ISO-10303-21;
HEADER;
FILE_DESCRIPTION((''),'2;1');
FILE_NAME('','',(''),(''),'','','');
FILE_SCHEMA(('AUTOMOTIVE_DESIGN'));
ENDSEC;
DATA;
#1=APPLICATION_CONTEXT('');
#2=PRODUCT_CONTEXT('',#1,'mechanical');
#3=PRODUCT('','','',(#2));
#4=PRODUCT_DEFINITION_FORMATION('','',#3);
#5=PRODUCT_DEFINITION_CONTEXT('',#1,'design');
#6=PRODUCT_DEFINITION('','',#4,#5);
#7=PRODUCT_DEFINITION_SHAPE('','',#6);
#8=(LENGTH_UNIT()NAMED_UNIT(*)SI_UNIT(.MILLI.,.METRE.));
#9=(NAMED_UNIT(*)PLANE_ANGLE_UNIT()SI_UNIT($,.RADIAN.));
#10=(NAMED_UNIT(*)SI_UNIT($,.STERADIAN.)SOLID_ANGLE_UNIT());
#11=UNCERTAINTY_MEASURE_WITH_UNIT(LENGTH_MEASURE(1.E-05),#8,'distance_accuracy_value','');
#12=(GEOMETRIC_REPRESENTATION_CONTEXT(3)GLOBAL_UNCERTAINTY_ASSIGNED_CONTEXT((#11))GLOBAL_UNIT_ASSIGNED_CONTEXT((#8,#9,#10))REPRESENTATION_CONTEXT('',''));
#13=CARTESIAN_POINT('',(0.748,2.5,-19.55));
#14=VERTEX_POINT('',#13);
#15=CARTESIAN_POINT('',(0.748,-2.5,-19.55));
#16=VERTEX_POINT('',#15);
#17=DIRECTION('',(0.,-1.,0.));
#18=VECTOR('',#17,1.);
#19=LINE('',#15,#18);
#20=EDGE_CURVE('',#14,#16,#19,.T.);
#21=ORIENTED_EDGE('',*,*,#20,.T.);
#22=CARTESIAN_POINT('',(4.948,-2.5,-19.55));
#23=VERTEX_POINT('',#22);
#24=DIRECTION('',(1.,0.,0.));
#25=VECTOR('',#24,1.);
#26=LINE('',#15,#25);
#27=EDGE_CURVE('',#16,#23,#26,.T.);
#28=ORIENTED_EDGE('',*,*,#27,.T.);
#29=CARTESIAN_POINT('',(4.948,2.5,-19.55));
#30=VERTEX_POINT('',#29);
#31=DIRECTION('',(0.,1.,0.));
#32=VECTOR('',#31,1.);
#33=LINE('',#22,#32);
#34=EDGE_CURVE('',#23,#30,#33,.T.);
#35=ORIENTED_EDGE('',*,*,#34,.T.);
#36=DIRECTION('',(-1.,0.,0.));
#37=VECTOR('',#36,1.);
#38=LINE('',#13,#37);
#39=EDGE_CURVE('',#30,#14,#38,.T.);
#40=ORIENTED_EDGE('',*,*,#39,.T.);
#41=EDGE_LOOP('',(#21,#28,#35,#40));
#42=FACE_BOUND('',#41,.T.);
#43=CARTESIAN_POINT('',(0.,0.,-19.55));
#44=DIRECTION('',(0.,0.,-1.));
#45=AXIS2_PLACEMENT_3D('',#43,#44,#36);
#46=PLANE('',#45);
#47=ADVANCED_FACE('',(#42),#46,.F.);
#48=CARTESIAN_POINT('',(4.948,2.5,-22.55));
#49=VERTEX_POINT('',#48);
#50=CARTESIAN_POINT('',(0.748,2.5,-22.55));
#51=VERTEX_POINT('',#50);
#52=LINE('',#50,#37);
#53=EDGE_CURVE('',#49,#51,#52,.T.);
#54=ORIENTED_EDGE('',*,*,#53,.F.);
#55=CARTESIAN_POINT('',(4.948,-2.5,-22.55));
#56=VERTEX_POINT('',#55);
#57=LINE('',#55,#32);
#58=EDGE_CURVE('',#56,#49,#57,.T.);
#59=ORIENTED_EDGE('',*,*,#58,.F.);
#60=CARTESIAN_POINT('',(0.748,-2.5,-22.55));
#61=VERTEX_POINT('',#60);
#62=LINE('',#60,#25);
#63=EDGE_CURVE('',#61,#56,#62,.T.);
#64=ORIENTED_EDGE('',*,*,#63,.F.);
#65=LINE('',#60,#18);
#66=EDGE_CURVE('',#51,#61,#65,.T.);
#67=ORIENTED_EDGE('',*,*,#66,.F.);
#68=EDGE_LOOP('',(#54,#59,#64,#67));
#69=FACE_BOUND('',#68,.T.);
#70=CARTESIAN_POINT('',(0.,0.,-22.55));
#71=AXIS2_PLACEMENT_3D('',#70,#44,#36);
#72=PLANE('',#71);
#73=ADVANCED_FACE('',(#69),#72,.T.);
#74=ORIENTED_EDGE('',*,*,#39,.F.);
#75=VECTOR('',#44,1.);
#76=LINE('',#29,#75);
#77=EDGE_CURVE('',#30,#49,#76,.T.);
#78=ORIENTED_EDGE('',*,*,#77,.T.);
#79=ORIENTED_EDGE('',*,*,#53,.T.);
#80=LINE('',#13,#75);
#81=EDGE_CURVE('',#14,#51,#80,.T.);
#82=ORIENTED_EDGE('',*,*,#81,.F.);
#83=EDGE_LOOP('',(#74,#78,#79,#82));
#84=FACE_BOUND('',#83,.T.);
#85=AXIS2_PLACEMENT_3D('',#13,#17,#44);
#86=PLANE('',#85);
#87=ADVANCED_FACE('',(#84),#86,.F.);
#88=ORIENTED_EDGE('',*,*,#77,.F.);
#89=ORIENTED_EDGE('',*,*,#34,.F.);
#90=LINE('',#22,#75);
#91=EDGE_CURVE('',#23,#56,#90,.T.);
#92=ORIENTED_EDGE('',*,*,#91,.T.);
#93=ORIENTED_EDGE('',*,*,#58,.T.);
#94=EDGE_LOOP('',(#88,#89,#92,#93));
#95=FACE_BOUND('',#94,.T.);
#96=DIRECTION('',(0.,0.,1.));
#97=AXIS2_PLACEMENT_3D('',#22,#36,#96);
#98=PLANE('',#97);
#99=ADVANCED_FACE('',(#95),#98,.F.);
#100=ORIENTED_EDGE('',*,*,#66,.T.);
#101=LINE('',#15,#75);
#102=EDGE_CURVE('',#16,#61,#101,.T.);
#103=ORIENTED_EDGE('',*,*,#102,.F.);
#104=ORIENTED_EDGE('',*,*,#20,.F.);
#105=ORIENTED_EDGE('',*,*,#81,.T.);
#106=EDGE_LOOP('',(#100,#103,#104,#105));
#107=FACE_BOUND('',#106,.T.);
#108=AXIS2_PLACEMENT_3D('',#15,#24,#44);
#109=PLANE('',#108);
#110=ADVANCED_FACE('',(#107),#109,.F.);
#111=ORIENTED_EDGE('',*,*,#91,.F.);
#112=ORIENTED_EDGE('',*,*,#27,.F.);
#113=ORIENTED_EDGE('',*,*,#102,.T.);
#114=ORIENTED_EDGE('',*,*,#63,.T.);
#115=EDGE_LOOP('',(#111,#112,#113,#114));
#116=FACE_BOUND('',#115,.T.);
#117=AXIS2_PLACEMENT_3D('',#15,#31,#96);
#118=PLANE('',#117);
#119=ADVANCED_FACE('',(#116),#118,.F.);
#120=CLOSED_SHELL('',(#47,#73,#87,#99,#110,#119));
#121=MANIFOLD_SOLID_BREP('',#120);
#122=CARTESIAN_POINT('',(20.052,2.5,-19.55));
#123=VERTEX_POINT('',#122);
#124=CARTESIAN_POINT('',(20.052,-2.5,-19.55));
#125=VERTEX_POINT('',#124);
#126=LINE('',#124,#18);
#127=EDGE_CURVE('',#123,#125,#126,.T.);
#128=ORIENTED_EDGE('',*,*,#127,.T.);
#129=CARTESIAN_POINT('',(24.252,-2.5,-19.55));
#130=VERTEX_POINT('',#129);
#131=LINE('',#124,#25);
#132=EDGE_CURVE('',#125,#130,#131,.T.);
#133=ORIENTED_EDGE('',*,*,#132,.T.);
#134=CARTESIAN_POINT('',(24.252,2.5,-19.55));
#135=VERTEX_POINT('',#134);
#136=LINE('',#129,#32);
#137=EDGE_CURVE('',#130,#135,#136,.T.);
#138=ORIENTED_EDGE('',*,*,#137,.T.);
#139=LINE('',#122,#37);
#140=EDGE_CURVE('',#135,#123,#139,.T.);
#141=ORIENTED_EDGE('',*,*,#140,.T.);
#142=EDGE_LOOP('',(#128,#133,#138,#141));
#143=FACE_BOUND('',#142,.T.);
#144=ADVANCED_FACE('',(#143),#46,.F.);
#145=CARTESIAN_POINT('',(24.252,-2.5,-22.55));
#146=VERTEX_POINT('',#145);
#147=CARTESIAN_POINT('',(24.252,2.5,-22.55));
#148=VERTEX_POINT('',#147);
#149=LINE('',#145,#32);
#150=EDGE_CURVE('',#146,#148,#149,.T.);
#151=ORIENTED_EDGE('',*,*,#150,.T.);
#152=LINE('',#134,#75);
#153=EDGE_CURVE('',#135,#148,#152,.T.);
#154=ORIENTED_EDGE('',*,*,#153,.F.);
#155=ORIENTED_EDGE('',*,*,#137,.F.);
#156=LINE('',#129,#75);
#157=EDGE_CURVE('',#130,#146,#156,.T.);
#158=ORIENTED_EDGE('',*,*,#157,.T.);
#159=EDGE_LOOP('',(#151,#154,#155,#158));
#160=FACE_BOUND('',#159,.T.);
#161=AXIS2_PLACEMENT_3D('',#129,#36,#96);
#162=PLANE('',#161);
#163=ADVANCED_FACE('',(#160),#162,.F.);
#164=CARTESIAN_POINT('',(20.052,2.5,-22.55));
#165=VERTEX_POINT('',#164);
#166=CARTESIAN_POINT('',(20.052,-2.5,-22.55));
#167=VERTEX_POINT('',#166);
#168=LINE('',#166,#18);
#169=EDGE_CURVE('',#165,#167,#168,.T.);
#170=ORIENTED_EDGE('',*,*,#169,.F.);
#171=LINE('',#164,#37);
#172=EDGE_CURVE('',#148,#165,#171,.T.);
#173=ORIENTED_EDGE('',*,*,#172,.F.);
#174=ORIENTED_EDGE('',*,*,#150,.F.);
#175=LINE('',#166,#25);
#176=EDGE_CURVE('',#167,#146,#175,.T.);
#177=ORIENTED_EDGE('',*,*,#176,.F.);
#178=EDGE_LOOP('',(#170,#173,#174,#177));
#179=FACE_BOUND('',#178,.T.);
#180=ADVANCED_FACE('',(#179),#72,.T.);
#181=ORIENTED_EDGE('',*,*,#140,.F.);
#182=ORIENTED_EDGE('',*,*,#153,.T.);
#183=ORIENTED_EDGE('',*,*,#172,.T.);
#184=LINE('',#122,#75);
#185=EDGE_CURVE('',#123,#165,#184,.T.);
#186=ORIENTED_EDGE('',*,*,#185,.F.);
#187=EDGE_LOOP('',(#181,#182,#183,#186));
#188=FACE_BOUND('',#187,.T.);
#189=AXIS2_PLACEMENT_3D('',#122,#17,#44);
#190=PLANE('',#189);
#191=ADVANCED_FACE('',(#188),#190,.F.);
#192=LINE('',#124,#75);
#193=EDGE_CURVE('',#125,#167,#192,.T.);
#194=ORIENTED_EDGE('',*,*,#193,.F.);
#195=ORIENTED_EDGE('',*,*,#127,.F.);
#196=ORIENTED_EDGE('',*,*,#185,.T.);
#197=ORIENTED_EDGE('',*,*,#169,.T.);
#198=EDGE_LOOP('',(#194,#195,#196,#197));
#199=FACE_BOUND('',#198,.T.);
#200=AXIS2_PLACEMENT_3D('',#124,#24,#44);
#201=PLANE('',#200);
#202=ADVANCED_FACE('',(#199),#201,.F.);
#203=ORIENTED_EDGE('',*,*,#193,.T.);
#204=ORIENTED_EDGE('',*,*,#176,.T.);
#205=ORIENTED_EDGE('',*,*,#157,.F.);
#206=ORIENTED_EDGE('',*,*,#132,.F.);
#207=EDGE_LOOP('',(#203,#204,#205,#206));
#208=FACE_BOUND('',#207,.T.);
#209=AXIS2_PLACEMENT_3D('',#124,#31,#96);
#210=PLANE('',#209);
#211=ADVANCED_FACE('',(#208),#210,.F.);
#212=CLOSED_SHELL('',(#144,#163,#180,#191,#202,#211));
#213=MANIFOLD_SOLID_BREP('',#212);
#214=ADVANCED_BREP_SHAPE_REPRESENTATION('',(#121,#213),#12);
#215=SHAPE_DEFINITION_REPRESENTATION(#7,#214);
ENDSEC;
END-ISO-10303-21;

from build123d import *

# Parameters (mm, degrees)
QT_CONNECTOR_1_START     = -22.55
QT_CONNECTOR_1_PROFILE_W = 4.2
QT_CONNECTOR_1_PROFILE_H = 5
QT_CONNECTOR_1_DEPTH     = 3
QT_CONNECTOR_2_START     = -22.55
QT_CONNECTOR_2_PROFILE_W = 4.2
QT_CONNECTOR_2_PROFILE_H = 5
QT_CONNECTOR_2_DEPTH     = 3


with BuildPart() as part:
    # QT_connector_1_Profile → QT_connector_1 (new body)
    with BuildSketch(Plane.XY.offset(QT_CONNECTOR_1_START)):
        with Locations((2.848, 0)):
            Rectangle(QT_CONNECTOR_1_PROFILE_W, QT_CONNECTOR_1_PROFILE_H)
    extrude(amount=QT_CONNECTOR_1_DEPTH)


with BuildPart() as body_2:
    # QT_connector_2_Profile → QT_connector_2 (new body)
    with BuildSketch(Plane.XY.offset(QT_CONNECTOR_2_START)):
        with Locations((22.152, 0)):
            Rectangle(QT_CONNECTOR_2_PROFILE_W, QT_CONNECTOR_2_PROFILE_H)
    extrude(amount=QT_CONNECTOR_2_DEPTH)


solid = Compound([part.part, body_2.part])
